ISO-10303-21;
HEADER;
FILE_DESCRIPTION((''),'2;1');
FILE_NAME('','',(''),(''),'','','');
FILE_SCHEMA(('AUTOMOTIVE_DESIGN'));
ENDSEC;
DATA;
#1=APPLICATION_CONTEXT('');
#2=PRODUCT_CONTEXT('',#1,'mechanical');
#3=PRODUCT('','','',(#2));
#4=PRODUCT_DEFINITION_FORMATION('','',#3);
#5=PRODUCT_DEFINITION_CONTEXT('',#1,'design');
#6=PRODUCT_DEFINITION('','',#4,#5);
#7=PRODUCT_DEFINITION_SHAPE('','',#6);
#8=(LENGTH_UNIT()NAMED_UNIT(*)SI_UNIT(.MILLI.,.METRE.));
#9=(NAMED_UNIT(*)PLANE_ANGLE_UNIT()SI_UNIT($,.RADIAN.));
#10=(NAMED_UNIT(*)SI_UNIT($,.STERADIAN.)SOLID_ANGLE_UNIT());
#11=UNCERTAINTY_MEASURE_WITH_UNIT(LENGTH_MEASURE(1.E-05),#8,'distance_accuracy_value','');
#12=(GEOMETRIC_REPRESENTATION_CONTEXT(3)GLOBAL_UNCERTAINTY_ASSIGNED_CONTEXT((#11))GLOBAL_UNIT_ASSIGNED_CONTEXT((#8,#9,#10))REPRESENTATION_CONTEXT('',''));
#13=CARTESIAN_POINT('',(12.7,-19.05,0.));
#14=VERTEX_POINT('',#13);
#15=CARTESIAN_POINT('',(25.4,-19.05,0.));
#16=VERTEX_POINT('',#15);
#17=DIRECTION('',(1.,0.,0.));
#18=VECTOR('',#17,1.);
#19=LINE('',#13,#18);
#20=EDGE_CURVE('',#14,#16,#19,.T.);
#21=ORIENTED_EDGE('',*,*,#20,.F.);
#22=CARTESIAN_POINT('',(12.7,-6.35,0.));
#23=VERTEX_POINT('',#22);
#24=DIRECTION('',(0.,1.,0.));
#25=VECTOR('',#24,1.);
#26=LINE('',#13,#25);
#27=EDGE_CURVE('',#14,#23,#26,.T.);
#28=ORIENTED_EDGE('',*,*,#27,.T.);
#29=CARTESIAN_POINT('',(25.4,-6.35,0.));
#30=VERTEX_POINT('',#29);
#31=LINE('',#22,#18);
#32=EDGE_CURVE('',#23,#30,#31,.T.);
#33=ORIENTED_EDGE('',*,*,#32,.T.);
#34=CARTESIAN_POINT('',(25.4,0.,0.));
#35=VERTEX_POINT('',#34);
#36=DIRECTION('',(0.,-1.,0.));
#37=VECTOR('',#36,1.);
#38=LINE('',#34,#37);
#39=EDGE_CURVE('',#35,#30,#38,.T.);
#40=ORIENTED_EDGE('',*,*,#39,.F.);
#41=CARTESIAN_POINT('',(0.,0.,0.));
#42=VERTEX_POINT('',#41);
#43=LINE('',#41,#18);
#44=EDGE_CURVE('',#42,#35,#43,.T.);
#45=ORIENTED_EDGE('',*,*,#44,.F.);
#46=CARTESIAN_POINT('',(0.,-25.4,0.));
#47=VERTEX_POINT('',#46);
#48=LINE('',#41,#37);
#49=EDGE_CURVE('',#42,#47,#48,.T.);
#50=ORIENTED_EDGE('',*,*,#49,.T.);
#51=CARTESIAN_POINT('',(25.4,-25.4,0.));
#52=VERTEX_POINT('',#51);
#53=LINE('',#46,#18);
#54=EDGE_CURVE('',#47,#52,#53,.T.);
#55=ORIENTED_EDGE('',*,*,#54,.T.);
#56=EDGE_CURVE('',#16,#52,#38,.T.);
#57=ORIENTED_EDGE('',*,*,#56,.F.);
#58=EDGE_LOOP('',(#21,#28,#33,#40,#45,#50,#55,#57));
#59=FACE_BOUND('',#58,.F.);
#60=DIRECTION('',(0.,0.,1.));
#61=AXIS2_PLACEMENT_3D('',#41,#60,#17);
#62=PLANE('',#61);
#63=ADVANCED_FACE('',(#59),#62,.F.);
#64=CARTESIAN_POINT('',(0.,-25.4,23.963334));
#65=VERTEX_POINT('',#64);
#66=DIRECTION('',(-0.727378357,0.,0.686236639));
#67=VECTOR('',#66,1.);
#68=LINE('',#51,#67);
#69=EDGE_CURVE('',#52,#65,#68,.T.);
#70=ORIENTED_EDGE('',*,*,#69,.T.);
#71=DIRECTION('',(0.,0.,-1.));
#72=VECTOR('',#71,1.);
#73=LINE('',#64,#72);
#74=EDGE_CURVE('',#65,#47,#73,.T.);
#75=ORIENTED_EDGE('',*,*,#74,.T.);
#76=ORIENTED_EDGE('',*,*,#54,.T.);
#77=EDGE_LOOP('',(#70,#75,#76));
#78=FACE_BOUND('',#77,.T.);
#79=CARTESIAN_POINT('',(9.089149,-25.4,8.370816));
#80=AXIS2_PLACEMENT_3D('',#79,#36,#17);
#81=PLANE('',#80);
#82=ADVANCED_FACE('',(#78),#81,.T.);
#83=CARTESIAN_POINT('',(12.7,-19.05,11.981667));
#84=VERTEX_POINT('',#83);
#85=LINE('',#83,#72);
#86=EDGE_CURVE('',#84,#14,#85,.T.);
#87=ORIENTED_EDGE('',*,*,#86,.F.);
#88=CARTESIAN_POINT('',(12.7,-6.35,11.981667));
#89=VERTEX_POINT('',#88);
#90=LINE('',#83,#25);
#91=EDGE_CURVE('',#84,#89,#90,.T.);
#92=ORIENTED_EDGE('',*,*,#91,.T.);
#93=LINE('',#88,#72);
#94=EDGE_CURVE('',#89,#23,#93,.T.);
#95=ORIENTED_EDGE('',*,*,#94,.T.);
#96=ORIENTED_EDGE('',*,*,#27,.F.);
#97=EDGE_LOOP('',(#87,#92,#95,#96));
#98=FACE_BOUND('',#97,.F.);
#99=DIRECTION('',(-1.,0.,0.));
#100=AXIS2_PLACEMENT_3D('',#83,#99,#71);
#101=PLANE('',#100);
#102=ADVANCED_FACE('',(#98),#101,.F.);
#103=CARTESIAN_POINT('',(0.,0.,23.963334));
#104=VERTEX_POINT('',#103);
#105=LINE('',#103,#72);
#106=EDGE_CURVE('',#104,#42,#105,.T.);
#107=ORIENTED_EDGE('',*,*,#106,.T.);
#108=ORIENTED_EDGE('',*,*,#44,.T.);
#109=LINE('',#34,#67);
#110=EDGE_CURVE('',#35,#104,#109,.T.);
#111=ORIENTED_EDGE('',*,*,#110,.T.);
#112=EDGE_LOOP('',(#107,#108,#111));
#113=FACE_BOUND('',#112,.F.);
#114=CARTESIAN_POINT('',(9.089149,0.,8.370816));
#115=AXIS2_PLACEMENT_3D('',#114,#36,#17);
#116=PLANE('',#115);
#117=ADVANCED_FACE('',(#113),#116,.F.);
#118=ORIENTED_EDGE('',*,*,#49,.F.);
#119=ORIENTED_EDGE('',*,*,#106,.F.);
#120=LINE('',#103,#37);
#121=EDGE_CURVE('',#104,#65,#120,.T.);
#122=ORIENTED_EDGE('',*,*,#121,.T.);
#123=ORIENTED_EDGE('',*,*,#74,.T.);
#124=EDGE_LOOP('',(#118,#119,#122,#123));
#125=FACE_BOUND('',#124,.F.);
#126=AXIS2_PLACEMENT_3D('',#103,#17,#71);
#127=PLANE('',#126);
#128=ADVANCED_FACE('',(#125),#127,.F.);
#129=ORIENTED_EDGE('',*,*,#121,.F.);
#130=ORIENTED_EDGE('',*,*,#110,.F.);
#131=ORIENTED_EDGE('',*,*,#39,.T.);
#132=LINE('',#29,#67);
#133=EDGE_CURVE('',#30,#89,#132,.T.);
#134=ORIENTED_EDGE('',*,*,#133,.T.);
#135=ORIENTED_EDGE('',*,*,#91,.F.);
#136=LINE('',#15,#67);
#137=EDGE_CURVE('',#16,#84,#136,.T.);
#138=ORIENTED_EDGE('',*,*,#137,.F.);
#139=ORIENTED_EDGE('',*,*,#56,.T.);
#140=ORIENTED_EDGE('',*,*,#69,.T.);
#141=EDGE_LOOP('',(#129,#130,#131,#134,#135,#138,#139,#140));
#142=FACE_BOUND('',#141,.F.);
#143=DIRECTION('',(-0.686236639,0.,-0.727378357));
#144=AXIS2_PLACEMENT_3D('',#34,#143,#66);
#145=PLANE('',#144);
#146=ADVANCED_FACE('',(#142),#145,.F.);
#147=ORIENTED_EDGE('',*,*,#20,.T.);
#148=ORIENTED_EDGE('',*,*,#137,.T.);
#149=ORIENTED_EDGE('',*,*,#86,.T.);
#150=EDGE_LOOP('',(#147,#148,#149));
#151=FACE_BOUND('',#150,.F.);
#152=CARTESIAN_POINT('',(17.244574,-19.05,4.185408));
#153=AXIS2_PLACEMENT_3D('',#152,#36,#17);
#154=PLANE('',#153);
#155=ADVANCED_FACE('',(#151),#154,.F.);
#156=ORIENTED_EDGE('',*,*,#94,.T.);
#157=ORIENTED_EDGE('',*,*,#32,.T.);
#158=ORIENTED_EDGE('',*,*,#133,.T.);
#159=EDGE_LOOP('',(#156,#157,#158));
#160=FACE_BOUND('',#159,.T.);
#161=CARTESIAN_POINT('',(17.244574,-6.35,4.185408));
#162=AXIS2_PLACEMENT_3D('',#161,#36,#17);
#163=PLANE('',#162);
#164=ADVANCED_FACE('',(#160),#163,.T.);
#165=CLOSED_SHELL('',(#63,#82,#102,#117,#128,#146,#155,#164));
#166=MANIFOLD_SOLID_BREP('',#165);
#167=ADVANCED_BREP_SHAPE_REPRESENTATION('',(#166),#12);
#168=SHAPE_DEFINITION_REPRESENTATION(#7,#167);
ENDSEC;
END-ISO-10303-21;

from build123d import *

# Parameters (mm, degrees)
F1_DEPTH = 25.4
F3_START = -6.35
F3_DEPTH = 12.7


with BuildPart() as f1:
    # F0 (on Front) → F1 (new body)
    with BuildSketch(Plane.XZ):
        Polygon((0, 23.9633341665), (0, 0), (25.4, 0), align=None)
    extrude(amount=F1_DEPTH)

    # F2 (on face) → F3 (cut)
    with BuildSketch(Plane.XZ.offset(25.4).offset(F3_START)):
        Polygon((25.4, 0), (12.7, 11.9816670832), (12.7, 0), align=None)
    extrude(amount=-F3_DEPTH, mode=Mode.SUBTRACT)


solid = f1.part
